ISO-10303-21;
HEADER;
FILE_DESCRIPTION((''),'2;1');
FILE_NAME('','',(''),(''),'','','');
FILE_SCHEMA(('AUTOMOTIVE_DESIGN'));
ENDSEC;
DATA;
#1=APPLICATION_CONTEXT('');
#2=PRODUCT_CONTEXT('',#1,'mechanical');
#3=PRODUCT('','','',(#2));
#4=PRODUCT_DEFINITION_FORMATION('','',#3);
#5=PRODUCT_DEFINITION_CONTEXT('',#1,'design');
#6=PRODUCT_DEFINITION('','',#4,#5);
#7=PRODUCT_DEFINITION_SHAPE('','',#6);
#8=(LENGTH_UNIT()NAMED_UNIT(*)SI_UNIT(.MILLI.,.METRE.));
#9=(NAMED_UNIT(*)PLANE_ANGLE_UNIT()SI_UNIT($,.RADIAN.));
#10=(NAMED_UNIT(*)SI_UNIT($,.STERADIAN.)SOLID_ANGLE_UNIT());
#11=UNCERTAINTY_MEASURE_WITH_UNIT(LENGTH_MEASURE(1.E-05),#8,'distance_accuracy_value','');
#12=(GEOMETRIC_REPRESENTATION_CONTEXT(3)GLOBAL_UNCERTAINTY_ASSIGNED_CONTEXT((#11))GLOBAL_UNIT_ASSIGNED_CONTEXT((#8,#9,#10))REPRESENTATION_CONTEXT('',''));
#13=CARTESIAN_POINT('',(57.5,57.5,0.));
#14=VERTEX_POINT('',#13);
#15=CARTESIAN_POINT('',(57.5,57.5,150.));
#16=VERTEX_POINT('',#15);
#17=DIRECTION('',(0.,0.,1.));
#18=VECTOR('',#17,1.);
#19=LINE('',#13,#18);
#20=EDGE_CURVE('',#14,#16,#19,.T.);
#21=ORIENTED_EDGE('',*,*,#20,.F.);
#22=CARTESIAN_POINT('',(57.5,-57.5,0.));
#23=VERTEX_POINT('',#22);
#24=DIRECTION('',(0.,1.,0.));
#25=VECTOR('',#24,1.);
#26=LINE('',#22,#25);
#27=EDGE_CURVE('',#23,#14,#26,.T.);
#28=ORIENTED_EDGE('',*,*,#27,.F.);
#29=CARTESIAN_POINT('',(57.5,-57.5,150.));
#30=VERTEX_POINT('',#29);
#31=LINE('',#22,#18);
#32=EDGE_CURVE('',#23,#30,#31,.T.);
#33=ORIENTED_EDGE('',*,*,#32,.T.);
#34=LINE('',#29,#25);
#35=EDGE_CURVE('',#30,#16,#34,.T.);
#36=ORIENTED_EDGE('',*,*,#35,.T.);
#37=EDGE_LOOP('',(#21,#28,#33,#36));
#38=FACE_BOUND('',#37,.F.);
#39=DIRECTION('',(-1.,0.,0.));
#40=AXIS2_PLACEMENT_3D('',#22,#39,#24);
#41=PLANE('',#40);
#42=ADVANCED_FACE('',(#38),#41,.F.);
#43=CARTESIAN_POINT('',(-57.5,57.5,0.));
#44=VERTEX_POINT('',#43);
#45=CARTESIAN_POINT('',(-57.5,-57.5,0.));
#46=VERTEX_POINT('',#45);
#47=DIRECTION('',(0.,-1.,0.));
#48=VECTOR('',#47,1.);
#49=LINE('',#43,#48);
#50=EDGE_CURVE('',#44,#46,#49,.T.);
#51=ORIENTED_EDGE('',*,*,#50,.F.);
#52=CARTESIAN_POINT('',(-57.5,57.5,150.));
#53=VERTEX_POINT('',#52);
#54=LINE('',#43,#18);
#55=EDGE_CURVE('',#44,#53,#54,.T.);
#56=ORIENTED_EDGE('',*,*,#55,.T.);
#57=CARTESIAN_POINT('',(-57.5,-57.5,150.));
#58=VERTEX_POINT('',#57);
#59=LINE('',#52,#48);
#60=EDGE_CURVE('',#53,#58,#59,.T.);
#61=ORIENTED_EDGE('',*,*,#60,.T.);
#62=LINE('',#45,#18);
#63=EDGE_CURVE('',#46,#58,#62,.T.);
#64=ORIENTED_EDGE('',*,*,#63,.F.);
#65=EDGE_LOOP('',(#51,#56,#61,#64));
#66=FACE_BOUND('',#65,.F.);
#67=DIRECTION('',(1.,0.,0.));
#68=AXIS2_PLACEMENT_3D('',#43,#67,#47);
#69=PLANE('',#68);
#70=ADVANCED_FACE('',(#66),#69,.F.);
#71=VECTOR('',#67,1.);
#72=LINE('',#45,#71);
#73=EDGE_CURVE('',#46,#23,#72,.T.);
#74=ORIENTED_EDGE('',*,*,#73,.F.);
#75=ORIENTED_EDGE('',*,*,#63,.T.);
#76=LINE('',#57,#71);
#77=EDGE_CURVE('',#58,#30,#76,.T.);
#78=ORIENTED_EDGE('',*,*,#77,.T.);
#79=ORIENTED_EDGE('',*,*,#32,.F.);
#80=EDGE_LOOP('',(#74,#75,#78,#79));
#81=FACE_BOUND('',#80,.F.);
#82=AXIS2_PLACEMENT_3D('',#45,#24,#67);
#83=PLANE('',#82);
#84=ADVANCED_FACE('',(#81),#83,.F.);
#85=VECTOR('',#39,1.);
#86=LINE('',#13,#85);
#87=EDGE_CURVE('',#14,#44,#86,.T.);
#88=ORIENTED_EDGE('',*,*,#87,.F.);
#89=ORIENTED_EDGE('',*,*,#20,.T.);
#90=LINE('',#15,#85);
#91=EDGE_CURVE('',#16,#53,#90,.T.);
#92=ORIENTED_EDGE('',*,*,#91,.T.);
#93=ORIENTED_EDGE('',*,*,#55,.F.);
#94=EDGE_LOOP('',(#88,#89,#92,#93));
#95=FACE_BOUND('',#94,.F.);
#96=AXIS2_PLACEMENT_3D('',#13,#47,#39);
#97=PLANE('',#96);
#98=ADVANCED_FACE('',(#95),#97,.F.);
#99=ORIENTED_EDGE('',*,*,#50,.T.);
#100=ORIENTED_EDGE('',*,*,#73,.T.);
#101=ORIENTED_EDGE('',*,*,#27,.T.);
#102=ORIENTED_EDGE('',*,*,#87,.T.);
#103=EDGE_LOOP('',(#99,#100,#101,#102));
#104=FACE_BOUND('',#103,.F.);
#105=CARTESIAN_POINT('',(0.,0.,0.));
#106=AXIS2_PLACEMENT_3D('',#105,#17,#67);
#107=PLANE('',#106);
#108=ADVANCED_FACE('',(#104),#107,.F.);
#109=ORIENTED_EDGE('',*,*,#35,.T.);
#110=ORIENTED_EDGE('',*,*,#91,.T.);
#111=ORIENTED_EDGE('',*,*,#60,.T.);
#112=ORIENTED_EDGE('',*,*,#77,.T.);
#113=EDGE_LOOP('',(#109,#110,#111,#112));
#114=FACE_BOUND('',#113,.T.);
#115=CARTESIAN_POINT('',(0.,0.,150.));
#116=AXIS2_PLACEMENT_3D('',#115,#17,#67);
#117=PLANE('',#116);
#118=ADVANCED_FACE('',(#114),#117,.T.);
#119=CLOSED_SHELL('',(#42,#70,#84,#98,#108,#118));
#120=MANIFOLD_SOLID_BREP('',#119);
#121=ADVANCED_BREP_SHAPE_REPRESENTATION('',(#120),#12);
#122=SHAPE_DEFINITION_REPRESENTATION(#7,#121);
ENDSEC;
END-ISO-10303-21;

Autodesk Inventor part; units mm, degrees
ref_plane "YZ Plane" through (0, 0, 0) normal (1, 0, 0) x (0, 1, 0)
ref_plane "XZ Plane" through (0, 0, 0) normal (0, 1, 0) x (-1, 0, 0)
ref_plane "XY Plane" through (0, 0, 0) normal (0, 0, 1) x (1, 0, 0)
sketch "Sketch1" plane through (0, 0, 0) normal (0, 0, 1) x (1, 0, 0)
  line L0 (-57.5, -57.5) -> (57.5, -57.5)
  line L1 (57.5, -57.5) -> (57.5, 57.5)
  line L2 (57.5, 57.5) -> (-57.5, 57.5)
  line L3 (-57.5, 57.5) -> (-57.5, -57.5)
  line L4 (-57.5, -57.5) -> (57.5, 57.5) construction
  line L5 (57.5, -57.5) -> (-57.5, 57.5) construction
  point P0 (0, 0)
  dimension "d0" = 115
  dimension "d1" = 115
extrude "Extrusion1" add sketch "Sketch1" along normal blind 150
sketch "Sketch2" plane through (0, 0, 150) normal (0, 0, 1) x (1, 0, 0)
  line L0 (-57.5, -57.5) -> (57.5, -57.5) projected
  line L1 (57.5, -57.5) -> (57.5, 57.5) projected
  line L2 (57.5, 57.5) -> (-57.5, 57.5) projected
  line L3 (-57.5, 57.5) -> (-57.5, -57.5) projected
  point P0 (0, 0)
  dimension "d4" = 115
sketch "Sketch3" plane through (57.5, -57.5, 0) normal (1, 0, 0) x (0, 0, -1)
  line L0 (0, 115) -> (-150, 115) projected
  point P0 (0, 57.5)
  dimension "d5" = 150
properties part number "powerSupply"
